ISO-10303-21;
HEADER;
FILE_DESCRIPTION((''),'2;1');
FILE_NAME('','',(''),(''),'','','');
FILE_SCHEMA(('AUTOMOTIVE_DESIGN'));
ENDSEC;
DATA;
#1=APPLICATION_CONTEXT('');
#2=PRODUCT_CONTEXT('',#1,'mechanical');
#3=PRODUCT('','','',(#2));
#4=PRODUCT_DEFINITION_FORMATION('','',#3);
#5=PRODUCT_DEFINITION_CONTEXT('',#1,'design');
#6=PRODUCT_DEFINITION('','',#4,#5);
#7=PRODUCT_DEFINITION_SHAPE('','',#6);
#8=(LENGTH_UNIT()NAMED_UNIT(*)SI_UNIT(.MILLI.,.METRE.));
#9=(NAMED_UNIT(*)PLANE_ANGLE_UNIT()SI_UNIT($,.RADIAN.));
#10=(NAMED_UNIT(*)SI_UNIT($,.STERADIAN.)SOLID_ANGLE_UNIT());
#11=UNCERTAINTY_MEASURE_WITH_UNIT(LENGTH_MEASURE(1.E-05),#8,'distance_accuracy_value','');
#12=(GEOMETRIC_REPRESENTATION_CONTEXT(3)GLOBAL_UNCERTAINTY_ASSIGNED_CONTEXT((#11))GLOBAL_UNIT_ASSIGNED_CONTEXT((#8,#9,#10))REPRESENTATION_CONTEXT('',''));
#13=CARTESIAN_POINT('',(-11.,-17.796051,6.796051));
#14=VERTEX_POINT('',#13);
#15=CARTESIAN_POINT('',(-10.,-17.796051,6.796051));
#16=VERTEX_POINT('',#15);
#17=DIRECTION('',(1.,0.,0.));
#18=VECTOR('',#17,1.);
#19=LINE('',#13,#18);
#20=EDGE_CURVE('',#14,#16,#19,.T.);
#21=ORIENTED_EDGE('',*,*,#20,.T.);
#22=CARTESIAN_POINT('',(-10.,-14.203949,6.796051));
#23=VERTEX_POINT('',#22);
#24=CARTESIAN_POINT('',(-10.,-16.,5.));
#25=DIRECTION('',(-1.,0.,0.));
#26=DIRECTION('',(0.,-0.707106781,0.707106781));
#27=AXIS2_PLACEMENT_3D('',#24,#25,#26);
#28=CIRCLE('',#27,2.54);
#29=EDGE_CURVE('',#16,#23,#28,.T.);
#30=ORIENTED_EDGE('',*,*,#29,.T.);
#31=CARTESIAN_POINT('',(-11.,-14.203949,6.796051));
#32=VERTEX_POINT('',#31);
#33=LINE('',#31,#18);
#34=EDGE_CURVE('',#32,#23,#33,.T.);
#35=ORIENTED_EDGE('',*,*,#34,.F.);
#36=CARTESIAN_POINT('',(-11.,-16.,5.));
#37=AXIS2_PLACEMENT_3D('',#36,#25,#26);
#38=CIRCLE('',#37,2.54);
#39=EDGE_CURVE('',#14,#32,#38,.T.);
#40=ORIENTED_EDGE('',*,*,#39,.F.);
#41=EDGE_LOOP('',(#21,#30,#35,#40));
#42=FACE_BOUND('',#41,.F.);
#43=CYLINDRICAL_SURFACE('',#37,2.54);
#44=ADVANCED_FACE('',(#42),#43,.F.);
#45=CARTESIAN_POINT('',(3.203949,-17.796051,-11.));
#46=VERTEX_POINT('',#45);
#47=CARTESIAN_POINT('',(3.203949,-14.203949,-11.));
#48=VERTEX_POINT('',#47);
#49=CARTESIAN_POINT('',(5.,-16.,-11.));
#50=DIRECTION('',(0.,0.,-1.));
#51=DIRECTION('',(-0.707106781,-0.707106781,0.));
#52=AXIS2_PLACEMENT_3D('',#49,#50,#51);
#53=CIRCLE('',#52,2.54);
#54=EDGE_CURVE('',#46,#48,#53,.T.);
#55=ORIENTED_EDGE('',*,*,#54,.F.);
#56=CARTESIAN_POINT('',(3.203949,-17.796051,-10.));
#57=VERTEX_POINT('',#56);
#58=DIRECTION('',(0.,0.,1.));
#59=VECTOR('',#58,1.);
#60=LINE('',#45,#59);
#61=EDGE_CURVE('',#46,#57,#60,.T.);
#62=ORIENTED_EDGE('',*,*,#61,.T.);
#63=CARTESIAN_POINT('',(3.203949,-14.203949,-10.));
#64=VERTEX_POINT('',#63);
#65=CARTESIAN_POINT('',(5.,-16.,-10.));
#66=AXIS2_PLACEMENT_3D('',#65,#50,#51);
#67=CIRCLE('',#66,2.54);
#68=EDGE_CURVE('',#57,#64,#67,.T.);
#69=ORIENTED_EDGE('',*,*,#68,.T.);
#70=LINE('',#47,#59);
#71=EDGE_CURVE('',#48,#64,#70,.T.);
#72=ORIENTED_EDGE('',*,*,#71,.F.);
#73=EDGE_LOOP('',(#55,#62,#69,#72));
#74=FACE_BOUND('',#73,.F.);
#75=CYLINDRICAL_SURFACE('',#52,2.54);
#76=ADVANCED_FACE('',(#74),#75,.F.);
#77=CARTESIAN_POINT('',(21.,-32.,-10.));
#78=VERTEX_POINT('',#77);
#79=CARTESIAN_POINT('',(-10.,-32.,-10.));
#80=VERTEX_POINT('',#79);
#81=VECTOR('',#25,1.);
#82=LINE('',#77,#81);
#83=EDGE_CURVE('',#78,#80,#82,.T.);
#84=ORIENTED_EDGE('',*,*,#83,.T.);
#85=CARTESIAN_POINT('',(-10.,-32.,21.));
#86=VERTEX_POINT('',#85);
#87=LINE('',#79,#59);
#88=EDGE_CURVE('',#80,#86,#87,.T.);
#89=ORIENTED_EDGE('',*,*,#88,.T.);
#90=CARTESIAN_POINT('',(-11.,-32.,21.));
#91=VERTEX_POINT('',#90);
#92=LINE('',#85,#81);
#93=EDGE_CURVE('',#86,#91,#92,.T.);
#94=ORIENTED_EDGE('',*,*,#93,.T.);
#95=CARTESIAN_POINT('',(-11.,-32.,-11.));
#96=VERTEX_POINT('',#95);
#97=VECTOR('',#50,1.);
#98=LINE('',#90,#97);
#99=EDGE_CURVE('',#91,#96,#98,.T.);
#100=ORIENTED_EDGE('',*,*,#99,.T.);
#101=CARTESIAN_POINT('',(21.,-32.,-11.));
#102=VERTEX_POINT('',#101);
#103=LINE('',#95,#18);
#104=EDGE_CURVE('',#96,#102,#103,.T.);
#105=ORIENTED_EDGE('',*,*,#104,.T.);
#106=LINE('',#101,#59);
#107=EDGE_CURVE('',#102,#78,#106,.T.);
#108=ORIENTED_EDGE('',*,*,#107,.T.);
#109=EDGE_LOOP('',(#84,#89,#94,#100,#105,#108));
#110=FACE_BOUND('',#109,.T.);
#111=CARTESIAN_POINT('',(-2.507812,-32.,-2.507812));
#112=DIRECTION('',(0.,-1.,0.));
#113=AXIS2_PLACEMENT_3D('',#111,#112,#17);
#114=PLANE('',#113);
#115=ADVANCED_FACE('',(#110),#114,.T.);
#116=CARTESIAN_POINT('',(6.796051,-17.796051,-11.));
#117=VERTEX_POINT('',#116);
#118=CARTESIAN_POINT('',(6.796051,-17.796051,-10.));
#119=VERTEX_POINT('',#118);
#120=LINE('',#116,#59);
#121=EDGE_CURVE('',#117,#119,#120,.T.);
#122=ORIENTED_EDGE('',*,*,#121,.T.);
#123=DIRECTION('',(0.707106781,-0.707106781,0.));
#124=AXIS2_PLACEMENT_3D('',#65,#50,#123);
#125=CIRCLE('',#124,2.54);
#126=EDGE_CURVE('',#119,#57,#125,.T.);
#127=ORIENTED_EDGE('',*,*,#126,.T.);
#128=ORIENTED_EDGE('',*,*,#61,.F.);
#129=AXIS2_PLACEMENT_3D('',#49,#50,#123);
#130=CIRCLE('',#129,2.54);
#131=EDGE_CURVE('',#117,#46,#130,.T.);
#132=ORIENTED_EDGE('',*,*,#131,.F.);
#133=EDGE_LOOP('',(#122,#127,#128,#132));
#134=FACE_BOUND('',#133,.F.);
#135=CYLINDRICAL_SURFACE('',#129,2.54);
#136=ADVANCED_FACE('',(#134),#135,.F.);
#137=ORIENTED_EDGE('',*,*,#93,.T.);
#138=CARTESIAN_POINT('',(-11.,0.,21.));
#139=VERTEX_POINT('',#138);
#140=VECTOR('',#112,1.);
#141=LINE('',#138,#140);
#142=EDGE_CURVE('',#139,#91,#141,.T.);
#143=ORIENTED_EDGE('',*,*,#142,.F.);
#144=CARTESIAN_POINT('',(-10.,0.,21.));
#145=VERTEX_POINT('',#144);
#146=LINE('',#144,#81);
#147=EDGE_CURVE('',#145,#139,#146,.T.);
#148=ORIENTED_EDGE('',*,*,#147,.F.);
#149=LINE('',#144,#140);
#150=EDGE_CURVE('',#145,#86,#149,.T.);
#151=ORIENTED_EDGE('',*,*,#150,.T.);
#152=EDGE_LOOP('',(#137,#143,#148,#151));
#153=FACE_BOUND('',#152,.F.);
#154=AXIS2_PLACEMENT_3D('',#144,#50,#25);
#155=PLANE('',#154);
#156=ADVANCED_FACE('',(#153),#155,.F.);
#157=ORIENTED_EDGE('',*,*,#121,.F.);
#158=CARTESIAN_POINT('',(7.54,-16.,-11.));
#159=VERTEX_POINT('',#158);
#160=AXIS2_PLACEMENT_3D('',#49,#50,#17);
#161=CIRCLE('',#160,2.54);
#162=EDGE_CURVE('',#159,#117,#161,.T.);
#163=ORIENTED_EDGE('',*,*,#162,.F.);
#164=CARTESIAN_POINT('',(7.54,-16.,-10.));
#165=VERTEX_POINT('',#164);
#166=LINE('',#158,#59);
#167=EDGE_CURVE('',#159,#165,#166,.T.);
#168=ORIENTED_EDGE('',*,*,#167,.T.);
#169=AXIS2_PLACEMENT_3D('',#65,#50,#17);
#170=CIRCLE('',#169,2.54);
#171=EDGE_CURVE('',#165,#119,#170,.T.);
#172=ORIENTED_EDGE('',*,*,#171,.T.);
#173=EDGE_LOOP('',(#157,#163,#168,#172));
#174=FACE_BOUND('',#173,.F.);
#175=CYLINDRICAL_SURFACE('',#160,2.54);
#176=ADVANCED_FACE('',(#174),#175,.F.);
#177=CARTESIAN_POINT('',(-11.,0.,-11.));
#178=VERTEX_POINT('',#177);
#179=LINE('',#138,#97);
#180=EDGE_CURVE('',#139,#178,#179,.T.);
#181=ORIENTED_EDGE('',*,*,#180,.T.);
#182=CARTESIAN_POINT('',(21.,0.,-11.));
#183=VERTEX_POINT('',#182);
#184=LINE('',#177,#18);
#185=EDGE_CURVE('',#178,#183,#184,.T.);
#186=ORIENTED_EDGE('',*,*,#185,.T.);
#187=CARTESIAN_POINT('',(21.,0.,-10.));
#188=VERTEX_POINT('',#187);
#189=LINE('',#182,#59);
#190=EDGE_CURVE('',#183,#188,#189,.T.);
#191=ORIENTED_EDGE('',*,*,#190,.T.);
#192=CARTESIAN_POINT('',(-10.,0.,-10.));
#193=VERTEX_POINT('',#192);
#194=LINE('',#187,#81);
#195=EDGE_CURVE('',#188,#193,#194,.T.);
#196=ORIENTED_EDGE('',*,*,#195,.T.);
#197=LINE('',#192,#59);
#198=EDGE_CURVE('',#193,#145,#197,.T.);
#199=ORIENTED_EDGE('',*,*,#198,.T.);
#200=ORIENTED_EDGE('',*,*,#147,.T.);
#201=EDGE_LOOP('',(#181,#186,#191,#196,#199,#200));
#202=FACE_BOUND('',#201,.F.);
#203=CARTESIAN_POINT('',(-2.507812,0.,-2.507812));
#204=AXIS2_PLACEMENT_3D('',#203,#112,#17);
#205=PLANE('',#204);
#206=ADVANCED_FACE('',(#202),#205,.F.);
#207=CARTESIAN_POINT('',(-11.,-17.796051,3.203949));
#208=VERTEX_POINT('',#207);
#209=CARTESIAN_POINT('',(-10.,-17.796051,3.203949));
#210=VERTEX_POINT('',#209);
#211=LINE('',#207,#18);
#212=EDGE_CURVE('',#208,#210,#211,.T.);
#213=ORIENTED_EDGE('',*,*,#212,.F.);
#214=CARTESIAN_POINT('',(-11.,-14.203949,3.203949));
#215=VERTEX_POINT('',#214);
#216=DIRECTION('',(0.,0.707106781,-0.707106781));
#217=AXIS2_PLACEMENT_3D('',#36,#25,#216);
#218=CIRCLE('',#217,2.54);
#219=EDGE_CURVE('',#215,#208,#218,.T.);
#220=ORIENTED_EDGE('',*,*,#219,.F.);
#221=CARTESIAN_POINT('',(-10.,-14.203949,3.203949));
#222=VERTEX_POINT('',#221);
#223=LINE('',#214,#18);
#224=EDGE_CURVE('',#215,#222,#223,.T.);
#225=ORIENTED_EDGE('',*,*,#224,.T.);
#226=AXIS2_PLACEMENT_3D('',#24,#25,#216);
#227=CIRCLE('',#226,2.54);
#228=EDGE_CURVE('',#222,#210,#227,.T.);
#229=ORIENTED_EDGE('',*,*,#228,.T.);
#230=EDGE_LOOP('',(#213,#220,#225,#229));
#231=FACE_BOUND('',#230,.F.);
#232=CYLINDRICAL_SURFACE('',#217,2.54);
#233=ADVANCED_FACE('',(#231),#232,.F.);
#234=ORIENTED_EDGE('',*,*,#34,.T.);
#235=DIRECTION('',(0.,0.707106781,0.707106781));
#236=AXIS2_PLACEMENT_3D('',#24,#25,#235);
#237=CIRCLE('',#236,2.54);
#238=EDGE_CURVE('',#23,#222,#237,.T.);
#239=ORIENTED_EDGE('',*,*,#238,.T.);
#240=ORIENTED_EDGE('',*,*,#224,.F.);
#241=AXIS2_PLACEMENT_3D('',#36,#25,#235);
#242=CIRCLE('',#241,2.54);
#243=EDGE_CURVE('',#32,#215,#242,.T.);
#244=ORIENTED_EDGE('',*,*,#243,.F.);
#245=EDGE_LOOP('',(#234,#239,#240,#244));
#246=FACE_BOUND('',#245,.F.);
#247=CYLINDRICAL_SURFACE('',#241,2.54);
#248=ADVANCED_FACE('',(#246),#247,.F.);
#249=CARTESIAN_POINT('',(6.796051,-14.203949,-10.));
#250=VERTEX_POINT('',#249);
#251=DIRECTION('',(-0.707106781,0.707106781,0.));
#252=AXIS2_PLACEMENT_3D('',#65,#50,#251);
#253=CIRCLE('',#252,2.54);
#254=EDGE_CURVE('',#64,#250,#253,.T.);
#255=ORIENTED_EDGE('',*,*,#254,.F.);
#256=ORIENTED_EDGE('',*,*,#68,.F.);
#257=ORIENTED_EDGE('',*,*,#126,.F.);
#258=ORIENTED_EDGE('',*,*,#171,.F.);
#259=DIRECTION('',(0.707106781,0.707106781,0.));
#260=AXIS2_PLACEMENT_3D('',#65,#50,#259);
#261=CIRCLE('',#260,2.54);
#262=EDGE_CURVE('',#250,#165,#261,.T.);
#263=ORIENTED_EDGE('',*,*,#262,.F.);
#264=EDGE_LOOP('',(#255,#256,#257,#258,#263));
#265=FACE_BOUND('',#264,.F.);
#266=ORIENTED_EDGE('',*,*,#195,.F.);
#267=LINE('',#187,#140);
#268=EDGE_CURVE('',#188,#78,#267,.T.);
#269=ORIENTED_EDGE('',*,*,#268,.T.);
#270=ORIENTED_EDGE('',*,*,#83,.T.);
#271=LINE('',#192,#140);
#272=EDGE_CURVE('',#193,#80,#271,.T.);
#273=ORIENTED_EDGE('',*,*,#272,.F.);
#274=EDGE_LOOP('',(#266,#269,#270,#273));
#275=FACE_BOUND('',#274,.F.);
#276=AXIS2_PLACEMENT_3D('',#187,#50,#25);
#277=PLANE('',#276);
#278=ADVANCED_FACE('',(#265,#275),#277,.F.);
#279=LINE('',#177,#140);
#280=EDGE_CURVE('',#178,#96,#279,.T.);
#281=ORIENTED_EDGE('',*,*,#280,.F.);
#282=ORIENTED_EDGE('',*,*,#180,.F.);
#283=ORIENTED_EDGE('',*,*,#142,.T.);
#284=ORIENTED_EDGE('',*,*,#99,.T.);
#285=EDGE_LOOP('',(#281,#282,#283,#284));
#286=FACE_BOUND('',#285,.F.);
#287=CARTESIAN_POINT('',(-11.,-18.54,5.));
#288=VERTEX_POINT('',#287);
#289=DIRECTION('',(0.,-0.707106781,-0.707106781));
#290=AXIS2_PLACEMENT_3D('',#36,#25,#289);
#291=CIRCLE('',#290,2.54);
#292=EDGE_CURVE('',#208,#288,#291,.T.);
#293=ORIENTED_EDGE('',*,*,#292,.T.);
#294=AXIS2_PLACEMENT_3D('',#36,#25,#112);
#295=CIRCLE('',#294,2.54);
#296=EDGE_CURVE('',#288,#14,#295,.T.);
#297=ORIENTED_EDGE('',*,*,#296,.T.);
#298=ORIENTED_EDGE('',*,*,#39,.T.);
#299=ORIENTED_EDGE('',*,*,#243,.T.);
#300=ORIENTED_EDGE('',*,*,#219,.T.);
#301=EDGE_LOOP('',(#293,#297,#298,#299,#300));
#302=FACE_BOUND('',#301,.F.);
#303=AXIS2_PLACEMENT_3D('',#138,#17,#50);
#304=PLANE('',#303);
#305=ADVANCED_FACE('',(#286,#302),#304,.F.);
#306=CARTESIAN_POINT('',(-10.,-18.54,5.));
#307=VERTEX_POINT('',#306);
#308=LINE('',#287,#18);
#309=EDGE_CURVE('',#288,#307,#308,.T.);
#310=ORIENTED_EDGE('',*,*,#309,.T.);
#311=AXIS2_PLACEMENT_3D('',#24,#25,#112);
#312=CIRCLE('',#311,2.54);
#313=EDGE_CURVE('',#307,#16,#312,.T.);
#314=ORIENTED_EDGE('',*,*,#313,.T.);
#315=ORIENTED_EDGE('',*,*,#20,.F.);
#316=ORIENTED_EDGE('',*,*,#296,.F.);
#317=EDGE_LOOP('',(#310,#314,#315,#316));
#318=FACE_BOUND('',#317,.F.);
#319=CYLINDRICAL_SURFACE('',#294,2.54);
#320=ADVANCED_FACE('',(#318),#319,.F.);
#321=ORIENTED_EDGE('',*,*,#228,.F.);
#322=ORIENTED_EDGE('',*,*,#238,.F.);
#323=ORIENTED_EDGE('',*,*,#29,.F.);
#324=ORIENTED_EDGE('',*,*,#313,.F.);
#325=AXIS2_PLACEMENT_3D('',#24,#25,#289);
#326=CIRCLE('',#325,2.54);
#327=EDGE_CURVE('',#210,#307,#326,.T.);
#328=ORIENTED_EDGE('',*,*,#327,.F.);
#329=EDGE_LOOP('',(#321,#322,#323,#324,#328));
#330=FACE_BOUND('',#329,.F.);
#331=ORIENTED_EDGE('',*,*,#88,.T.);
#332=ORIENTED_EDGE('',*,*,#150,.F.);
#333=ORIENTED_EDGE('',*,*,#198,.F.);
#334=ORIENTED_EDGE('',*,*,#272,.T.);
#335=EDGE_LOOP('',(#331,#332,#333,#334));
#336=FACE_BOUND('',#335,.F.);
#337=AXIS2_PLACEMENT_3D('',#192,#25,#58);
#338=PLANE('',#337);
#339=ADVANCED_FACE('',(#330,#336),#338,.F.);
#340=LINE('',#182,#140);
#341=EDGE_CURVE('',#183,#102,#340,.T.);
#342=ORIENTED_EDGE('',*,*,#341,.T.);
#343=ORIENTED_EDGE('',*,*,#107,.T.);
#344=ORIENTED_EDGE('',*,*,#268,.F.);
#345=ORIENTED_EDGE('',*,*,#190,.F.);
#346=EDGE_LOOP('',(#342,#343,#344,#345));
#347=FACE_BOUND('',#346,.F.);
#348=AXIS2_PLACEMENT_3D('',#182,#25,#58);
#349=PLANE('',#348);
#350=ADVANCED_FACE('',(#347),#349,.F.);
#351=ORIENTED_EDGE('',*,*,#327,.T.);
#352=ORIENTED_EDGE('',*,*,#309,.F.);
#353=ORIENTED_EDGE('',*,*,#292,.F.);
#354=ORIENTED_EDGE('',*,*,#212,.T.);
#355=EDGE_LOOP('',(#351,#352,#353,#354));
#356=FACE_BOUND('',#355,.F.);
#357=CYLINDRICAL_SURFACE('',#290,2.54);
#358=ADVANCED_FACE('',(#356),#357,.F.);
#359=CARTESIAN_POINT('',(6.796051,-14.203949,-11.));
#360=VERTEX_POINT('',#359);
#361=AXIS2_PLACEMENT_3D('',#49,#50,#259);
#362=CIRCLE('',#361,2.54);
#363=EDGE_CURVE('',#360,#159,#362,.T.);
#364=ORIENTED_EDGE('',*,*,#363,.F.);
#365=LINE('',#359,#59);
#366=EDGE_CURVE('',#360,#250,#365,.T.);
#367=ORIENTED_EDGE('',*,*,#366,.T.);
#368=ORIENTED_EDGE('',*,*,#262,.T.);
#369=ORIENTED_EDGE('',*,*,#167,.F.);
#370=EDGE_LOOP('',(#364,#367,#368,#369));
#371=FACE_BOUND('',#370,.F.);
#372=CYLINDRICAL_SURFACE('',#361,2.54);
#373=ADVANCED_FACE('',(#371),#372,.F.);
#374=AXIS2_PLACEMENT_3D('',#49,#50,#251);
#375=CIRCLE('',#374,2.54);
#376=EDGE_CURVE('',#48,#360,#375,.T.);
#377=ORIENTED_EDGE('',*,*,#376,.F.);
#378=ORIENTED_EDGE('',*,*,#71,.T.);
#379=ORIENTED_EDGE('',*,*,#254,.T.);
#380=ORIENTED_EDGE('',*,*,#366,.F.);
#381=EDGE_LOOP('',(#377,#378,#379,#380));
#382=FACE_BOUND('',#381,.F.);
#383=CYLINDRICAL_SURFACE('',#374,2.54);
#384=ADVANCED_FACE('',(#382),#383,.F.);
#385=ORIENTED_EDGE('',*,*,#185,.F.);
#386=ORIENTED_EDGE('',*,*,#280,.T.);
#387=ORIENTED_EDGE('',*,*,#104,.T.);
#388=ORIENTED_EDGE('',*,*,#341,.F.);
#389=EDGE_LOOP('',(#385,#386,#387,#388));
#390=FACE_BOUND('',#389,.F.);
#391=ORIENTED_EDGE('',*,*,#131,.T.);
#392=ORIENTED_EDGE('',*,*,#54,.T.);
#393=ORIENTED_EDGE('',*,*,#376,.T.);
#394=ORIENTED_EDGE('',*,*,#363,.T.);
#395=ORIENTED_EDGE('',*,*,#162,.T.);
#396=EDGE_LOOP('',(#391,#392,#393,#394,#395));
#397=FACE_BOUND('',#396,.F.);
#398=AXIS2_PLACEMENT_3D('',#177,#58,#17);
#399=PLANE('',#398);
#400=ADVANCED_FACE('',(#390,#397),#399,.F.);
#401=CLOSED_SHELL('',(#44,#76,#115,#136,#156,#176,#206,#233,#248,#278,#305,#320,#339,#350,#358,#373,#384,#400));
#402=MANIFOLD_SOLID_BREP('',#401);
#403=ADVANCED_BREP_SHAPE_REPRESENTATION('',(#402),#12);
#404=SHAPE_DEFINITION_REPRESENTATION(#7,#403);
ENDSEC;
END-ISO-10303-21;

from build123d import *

# Parameters (mm, degrees)
F1_DEPTH = 32
F3_DEPTH = 25.4
F5_DEPTH = 25.4


with BuildPart() as f1:
    # F0 (on Front) → F1 (new body)
    with BuildSketch(Plane.XZ):
        Polygon((-10, 21), (-11, 21), (-11, -11), (21, -11), (21, -10), (-10, -10), align=None)
    extrude(amount=F1_DEPTH)

    # F2 (on face) → F3 (cut)
    with BuildSketch(Plane(origin=(-11, 0, 0), x_dir=(0, -1, 0), z_dir=(-1, 0, 0))):
        with BuildLine():
            Line((16, 5), (14.2039487758, 3.2039487758))
            ThreePointArc((14.2039487758, 3.2039487758), (16, 2.46), (17.7960512242, 3.2039487758))
            Line((17.7960512242, 3.2039487758), (16, 5))
        make_face()
        with BuildLine():
            ThreePointArc((14.2039487758, 6.7960512242), (13.46, 5), (14.2039487758, 3.2039487758))
            Line((14.2039487758, 3.2039487758), (16, 5))
            Line((16, 5), (14.2039487758, 6.7960512242))
        make_face()
        with BuildLine():
            Line((14.2039487758, 6.7960512242), (16, 5))
            Line((16, 5), (17.7960512242, 6.7960512242))
            ThreePointArc((17.7960512242, 6.7960512242), (16, 7.54), (14.2039487758, 6.7960512242))
        make_face()
        with BuildLine():
            Line((17.7960512242, 6.7960512242), (16, 5))
            Line((16, 5), (17.7960512242, 3.2039487758))
            ThreePointArc((17.7960512242, 3.2039487758), (18.3466540126, 4.0279840818), (18.54, 5))
            ThreePointArc((18.54, 5), (18.3466540126, 5.9720159182), (17.7960512242, 6.7960512242))
        make_face()
    extrude(amount=-F3_DEPTH, mode=Mode.SUBTRACT)

    # F4 (on face) → F5 (cut)
    with BuildSketch(Plane(origin=(0, 0, -11), x_dir=(1, 0, 0), z_dir=(0, 0, -1))):
        with BuildLine():
            Line((6.7960512242, 17.7960512242), (5, 16))
            Line((5, 16), (6.7960512242, 14.2039487758))
            ThreePointArc((6.7960512242, 14.2039487758), (7.3466540126, 15.0279840818), (7.54, 16))
            ThreePointArc((7.54, 16), (7.3466540126, 16.9720159182), (6.7960512242, 17.7960512242))
        make_face()
        with BuildLine():
            ThreePointArc((6.7960512242, 17.7960512242), (5, 18.54), (3.2039487758, 17.7960512242))
            Line((3.2039487758, 17.7960512242), (5, 16))
            Line((5, 16), (6.7960512242, 17.7960512242))
        make_face()
        with BuildLine():
            Line((6.7960512242, 14.2039487758), (5, 16))
            Line((5, 16), (3.2039487758, 14.2039487758))
            ThreePointArc((3.2039487758, 14.2039487758), (5, 13.46), (6.7960512242, 14.2039487758))
        make_face()
        with BuildLine():
            Line((5, 16), (3.2039487758, 17.7960512242))
            ThreePointArc((3.2039487758, 17.7960512242), (2.46, 16), (3.2039487758, 14.2039487758))
            Line((3.2039487758, 14.2039487758), (5, 16))
        make_face()
    extrude(amount=-F5_DEPTH, mode=Mode.SUBTRACT)


solid = f1.part
